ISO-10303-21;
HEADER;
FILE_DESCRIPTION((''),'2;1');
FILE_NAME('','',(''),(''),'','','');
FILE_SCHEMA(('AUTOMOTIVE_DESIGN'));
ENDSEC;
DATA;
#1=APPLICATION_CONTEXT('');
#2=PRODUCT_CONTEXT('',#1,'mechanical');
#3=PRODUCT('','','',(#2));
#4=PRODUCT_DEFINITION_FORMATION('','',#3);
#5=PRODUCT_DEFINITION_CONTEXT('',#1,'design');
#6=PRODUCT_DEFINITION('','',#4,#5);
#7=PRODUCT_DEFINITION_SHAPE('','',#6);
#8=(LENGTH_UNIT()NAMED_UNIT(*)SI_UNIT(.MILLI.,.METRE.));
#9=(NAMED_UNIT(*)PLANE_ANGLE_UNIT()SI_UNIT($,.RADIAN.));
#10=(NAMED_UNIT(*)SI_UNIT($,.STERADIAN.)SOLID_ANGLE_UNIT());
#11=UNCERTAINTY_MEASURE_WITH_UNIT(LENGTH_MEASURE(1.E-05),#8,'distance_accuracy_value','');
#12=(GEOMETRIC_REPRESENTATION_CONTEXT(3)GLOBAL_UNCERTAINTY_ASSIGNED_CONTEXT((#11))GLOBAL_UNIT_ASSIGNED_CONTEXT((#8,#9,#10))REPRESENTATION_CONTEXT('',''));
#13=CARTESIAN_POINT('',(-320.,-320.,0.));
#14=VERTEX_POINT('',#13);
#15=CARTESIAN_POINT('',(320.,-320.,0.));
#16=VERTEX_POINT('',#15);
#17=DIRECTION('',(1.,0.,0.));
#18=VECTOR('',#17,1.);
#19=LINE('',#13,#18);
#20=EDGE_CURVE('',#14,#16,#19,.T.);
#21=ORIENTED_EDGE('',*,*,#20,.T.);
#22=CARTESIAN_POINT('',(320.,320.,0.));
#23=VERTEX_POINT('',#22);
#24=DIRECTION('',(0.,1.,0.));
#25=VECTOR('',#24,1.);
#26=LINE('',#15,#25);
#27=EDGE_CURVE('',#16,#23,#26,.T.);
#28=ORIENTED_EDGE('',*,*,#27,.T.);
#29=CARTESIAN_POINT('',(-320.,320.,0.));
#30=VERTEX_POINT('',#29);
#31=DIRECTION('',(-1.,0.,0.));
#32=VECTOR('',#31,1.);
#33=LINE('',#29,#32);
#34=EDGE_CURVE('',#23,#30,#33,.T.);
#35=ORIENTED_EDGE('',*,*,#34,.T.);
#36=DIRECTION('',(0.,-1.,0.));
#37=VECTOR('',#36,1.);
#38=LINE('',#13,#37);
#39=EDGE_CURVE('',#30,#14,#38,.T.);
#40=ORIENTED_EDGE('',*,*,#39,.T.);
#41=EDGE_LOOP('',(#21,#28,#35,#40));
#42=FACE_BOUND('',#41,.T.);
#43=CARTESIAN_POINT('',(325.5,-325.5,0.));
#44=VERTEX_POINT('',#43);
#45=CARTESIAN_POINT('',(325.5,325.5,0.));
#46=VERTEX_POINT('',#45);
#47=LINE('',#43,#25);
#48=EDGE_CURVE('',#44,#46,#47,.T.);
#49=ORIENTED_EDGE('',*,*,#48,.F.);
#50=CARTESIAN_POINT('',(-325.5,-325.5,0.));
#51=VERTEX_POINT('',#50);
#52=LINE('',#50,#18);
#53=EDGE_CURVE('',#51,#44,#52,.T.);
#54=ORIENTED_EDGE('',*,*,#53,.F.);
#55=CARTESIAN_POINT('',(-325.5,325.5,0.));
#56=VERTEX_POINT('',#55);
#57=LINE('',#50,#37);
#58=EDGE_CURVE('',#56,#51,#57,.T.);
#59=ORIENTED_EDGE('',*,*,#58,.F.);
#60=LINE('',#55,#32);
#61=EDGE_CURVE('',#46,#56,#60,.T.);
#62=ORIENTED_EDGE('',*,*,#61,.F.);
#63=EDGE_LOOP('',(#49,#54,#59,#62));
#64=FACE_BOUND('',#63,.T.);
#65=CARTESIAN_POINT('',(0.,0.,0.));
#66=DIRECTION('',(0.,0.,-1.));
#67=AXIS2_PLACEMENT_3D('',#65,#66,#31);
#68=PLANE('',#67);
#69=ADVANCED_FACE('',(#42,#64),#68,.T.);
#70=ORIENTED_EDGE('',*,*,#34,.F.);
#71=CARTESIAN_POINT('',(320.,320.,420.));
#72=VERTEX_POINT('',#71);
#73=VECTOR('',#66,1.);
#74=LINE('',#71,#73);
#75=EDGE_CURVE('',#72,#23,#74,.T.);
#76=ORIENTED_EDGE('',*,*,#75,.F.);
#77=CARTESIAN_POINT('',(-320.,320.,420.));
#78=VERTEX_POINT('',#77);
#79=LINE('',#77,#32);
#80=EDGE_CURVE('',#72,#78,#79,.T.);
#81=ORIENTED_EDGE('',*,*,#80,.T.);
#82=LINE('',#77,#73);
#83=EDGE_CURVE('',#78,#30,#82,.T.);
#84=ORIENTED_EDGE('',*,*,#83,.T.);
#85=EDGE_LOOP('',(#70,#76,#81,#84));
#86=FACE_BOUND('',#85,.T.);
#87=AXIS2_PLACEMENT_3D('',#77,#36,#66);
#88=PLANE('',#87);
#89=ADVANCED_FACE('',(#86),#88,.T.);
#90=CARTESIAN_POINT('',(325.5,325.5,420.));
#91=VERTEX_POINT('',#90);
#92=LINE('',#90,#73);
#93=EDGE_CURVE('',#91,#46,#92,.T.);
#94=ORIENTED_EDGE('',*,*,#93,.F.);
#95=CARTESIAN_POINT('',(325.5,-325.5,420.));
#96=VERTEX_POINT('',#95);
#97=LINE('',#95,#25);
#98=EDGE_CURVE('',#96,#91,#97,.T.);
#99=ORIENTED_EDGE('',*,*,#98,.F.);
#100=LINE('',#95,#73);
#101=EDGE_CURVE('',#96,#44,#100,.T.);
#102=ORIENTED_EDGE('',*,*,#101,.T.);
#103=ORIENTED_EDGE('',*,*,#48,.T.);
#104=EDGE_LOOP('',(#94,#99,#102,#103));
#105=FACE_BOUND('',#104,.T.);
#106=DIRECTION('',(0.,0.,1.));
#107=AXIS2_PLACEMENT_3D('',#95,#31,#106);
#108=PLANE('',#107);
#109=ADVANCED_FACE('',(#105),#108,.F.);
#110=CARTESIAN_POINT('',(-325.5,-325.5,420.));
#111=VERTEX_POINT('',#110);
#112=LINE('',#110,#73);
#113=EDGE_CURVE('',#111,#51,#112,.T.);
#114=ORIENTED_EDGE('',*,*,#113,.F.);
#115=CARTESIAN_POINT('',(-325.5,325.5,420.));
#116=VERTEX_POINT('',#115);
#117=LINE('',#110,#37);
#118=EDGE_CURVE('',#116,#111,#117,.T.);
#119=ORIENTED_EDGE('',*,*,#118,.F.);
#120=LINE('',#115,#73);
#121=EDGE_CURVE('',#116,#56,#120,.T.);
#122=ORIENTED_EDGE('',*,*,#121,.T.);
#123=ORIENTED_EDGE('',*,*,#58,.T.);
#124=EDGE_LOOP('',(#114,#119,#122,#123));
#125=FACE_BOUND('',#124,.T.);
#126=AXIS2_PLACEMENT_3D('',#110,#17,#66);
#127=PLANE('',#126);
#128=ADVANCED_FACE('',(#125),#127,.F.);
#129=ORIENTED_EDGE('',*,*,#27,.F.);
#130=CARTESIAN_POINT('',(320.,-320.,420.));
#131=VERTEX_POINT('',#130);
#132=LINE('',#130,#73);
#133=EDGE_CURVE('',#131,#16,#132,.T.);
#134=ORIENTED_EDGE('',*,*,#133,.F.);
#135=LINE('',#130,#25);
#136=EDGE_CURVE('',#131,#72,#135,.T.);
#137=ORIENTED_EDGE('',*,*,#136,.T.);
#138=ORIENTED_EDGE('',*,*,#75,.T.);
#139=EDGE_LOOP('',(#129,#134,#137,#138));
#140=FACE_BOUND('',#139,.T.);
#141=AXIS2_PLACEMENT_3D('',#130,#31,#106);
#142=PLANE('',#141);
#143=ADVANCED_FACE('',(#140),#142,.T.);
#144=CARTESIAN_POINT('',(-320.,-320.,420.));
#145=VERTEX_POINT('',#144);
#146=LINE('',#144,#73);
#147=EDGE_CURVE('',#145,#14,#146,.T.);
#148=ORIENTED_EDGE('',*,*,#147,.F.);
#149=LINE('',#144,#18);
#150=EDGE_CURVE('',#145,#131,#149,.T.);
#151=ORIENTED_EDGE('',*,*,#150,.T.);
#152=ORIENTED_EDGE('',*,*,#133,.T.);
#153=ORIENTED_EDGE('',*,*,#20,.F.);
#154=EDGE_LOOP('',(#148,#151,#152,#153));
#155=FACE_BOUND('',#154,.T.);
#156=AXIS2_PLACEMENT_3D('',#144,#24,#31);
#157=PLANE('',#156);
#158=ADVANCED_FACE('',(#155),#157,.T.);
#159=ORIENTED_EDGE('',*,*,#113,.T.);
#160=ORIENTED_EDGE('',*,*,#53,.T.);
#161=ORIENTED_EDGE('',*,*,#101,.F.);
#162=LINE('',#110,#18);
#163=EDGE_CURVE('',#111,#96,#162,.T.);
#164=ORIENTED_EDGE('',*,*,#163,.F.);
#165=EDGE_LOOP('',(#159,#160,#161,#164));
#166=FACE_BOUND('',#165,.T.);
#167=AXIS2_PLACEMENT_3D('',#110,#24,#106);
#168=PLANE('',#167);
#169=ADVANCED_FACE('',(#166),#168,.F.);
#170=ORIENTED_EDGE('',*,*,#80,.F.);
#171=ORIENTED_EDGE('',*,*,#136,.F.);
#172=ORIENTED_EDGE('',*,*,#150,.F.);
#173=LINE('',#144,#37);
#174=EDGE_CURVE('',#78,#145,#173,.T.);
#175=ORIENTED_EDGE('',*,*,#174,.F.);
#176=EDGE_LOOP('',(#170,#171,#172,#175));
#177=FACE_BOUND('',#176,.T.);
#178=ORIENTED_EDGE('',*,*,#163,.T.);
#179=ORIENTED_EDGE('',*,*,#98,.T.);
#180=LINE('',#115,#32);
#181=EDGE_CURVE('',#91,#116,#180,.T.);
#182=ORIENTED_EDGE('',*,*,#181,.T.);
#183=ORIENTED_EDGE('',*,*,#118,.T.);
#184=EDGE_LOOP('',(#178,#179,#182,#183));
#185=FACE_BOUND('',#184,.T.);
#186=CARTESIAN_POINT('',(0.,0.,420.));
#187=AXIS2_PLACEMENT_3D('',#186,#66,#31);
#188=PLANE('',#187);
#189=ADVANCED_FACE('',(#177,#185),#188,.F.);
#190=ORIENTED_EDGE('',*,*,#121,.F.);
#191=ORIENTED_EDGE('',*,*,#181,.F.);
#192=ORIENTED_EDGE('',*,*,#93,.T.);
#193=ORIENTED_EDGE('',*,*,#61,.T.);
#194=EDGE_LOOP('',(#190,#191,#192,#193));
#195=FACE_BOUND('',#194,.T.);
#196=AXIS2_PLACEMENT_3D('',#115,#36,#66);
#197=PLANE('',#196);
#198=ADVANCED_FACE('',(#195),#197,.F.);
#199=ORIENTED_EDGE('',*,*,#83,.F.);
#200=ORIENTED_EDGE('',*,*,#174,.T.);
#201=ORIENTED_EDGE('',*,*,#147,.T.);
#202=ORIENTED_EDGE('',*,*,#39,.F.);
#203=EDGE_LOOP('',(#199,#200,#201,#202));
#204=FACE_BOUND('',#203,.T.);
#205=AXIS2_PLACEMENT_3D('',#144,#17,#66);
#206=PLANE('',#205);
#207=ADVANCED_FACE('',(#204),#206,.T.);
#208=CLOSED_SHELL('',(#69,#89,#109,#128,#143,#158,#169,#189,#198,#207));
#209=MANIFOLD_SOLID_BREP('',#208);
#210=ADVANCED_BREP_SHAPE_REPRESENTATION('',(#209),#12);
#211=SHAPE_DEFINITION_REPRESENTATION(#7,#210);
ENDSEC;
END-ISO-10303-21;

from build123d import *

# Parameters (mm, degrees)
SKETCH1_W           = 651
SKETCH1_H           = 651
SKETCH1_W_2         = 640
SKETCH1_H_2         = 640
BOSS_EXTRUDE1_DEPTH = 420


with BuildPart() as part:
    # Sketch1 → Boss-Extrude1 (new body)
    with BuildSketch(Plane.XY):
        Rectangle(SKETCH1_W, SKETCH1_H)
        Rectangle(SKETCH1_W_2, SKETCH1_H_2, mode=Mode.SUBTRACT)
    extrude(amount=BOSS_EXTRUDE1_DEPTH)


solid = part.part
